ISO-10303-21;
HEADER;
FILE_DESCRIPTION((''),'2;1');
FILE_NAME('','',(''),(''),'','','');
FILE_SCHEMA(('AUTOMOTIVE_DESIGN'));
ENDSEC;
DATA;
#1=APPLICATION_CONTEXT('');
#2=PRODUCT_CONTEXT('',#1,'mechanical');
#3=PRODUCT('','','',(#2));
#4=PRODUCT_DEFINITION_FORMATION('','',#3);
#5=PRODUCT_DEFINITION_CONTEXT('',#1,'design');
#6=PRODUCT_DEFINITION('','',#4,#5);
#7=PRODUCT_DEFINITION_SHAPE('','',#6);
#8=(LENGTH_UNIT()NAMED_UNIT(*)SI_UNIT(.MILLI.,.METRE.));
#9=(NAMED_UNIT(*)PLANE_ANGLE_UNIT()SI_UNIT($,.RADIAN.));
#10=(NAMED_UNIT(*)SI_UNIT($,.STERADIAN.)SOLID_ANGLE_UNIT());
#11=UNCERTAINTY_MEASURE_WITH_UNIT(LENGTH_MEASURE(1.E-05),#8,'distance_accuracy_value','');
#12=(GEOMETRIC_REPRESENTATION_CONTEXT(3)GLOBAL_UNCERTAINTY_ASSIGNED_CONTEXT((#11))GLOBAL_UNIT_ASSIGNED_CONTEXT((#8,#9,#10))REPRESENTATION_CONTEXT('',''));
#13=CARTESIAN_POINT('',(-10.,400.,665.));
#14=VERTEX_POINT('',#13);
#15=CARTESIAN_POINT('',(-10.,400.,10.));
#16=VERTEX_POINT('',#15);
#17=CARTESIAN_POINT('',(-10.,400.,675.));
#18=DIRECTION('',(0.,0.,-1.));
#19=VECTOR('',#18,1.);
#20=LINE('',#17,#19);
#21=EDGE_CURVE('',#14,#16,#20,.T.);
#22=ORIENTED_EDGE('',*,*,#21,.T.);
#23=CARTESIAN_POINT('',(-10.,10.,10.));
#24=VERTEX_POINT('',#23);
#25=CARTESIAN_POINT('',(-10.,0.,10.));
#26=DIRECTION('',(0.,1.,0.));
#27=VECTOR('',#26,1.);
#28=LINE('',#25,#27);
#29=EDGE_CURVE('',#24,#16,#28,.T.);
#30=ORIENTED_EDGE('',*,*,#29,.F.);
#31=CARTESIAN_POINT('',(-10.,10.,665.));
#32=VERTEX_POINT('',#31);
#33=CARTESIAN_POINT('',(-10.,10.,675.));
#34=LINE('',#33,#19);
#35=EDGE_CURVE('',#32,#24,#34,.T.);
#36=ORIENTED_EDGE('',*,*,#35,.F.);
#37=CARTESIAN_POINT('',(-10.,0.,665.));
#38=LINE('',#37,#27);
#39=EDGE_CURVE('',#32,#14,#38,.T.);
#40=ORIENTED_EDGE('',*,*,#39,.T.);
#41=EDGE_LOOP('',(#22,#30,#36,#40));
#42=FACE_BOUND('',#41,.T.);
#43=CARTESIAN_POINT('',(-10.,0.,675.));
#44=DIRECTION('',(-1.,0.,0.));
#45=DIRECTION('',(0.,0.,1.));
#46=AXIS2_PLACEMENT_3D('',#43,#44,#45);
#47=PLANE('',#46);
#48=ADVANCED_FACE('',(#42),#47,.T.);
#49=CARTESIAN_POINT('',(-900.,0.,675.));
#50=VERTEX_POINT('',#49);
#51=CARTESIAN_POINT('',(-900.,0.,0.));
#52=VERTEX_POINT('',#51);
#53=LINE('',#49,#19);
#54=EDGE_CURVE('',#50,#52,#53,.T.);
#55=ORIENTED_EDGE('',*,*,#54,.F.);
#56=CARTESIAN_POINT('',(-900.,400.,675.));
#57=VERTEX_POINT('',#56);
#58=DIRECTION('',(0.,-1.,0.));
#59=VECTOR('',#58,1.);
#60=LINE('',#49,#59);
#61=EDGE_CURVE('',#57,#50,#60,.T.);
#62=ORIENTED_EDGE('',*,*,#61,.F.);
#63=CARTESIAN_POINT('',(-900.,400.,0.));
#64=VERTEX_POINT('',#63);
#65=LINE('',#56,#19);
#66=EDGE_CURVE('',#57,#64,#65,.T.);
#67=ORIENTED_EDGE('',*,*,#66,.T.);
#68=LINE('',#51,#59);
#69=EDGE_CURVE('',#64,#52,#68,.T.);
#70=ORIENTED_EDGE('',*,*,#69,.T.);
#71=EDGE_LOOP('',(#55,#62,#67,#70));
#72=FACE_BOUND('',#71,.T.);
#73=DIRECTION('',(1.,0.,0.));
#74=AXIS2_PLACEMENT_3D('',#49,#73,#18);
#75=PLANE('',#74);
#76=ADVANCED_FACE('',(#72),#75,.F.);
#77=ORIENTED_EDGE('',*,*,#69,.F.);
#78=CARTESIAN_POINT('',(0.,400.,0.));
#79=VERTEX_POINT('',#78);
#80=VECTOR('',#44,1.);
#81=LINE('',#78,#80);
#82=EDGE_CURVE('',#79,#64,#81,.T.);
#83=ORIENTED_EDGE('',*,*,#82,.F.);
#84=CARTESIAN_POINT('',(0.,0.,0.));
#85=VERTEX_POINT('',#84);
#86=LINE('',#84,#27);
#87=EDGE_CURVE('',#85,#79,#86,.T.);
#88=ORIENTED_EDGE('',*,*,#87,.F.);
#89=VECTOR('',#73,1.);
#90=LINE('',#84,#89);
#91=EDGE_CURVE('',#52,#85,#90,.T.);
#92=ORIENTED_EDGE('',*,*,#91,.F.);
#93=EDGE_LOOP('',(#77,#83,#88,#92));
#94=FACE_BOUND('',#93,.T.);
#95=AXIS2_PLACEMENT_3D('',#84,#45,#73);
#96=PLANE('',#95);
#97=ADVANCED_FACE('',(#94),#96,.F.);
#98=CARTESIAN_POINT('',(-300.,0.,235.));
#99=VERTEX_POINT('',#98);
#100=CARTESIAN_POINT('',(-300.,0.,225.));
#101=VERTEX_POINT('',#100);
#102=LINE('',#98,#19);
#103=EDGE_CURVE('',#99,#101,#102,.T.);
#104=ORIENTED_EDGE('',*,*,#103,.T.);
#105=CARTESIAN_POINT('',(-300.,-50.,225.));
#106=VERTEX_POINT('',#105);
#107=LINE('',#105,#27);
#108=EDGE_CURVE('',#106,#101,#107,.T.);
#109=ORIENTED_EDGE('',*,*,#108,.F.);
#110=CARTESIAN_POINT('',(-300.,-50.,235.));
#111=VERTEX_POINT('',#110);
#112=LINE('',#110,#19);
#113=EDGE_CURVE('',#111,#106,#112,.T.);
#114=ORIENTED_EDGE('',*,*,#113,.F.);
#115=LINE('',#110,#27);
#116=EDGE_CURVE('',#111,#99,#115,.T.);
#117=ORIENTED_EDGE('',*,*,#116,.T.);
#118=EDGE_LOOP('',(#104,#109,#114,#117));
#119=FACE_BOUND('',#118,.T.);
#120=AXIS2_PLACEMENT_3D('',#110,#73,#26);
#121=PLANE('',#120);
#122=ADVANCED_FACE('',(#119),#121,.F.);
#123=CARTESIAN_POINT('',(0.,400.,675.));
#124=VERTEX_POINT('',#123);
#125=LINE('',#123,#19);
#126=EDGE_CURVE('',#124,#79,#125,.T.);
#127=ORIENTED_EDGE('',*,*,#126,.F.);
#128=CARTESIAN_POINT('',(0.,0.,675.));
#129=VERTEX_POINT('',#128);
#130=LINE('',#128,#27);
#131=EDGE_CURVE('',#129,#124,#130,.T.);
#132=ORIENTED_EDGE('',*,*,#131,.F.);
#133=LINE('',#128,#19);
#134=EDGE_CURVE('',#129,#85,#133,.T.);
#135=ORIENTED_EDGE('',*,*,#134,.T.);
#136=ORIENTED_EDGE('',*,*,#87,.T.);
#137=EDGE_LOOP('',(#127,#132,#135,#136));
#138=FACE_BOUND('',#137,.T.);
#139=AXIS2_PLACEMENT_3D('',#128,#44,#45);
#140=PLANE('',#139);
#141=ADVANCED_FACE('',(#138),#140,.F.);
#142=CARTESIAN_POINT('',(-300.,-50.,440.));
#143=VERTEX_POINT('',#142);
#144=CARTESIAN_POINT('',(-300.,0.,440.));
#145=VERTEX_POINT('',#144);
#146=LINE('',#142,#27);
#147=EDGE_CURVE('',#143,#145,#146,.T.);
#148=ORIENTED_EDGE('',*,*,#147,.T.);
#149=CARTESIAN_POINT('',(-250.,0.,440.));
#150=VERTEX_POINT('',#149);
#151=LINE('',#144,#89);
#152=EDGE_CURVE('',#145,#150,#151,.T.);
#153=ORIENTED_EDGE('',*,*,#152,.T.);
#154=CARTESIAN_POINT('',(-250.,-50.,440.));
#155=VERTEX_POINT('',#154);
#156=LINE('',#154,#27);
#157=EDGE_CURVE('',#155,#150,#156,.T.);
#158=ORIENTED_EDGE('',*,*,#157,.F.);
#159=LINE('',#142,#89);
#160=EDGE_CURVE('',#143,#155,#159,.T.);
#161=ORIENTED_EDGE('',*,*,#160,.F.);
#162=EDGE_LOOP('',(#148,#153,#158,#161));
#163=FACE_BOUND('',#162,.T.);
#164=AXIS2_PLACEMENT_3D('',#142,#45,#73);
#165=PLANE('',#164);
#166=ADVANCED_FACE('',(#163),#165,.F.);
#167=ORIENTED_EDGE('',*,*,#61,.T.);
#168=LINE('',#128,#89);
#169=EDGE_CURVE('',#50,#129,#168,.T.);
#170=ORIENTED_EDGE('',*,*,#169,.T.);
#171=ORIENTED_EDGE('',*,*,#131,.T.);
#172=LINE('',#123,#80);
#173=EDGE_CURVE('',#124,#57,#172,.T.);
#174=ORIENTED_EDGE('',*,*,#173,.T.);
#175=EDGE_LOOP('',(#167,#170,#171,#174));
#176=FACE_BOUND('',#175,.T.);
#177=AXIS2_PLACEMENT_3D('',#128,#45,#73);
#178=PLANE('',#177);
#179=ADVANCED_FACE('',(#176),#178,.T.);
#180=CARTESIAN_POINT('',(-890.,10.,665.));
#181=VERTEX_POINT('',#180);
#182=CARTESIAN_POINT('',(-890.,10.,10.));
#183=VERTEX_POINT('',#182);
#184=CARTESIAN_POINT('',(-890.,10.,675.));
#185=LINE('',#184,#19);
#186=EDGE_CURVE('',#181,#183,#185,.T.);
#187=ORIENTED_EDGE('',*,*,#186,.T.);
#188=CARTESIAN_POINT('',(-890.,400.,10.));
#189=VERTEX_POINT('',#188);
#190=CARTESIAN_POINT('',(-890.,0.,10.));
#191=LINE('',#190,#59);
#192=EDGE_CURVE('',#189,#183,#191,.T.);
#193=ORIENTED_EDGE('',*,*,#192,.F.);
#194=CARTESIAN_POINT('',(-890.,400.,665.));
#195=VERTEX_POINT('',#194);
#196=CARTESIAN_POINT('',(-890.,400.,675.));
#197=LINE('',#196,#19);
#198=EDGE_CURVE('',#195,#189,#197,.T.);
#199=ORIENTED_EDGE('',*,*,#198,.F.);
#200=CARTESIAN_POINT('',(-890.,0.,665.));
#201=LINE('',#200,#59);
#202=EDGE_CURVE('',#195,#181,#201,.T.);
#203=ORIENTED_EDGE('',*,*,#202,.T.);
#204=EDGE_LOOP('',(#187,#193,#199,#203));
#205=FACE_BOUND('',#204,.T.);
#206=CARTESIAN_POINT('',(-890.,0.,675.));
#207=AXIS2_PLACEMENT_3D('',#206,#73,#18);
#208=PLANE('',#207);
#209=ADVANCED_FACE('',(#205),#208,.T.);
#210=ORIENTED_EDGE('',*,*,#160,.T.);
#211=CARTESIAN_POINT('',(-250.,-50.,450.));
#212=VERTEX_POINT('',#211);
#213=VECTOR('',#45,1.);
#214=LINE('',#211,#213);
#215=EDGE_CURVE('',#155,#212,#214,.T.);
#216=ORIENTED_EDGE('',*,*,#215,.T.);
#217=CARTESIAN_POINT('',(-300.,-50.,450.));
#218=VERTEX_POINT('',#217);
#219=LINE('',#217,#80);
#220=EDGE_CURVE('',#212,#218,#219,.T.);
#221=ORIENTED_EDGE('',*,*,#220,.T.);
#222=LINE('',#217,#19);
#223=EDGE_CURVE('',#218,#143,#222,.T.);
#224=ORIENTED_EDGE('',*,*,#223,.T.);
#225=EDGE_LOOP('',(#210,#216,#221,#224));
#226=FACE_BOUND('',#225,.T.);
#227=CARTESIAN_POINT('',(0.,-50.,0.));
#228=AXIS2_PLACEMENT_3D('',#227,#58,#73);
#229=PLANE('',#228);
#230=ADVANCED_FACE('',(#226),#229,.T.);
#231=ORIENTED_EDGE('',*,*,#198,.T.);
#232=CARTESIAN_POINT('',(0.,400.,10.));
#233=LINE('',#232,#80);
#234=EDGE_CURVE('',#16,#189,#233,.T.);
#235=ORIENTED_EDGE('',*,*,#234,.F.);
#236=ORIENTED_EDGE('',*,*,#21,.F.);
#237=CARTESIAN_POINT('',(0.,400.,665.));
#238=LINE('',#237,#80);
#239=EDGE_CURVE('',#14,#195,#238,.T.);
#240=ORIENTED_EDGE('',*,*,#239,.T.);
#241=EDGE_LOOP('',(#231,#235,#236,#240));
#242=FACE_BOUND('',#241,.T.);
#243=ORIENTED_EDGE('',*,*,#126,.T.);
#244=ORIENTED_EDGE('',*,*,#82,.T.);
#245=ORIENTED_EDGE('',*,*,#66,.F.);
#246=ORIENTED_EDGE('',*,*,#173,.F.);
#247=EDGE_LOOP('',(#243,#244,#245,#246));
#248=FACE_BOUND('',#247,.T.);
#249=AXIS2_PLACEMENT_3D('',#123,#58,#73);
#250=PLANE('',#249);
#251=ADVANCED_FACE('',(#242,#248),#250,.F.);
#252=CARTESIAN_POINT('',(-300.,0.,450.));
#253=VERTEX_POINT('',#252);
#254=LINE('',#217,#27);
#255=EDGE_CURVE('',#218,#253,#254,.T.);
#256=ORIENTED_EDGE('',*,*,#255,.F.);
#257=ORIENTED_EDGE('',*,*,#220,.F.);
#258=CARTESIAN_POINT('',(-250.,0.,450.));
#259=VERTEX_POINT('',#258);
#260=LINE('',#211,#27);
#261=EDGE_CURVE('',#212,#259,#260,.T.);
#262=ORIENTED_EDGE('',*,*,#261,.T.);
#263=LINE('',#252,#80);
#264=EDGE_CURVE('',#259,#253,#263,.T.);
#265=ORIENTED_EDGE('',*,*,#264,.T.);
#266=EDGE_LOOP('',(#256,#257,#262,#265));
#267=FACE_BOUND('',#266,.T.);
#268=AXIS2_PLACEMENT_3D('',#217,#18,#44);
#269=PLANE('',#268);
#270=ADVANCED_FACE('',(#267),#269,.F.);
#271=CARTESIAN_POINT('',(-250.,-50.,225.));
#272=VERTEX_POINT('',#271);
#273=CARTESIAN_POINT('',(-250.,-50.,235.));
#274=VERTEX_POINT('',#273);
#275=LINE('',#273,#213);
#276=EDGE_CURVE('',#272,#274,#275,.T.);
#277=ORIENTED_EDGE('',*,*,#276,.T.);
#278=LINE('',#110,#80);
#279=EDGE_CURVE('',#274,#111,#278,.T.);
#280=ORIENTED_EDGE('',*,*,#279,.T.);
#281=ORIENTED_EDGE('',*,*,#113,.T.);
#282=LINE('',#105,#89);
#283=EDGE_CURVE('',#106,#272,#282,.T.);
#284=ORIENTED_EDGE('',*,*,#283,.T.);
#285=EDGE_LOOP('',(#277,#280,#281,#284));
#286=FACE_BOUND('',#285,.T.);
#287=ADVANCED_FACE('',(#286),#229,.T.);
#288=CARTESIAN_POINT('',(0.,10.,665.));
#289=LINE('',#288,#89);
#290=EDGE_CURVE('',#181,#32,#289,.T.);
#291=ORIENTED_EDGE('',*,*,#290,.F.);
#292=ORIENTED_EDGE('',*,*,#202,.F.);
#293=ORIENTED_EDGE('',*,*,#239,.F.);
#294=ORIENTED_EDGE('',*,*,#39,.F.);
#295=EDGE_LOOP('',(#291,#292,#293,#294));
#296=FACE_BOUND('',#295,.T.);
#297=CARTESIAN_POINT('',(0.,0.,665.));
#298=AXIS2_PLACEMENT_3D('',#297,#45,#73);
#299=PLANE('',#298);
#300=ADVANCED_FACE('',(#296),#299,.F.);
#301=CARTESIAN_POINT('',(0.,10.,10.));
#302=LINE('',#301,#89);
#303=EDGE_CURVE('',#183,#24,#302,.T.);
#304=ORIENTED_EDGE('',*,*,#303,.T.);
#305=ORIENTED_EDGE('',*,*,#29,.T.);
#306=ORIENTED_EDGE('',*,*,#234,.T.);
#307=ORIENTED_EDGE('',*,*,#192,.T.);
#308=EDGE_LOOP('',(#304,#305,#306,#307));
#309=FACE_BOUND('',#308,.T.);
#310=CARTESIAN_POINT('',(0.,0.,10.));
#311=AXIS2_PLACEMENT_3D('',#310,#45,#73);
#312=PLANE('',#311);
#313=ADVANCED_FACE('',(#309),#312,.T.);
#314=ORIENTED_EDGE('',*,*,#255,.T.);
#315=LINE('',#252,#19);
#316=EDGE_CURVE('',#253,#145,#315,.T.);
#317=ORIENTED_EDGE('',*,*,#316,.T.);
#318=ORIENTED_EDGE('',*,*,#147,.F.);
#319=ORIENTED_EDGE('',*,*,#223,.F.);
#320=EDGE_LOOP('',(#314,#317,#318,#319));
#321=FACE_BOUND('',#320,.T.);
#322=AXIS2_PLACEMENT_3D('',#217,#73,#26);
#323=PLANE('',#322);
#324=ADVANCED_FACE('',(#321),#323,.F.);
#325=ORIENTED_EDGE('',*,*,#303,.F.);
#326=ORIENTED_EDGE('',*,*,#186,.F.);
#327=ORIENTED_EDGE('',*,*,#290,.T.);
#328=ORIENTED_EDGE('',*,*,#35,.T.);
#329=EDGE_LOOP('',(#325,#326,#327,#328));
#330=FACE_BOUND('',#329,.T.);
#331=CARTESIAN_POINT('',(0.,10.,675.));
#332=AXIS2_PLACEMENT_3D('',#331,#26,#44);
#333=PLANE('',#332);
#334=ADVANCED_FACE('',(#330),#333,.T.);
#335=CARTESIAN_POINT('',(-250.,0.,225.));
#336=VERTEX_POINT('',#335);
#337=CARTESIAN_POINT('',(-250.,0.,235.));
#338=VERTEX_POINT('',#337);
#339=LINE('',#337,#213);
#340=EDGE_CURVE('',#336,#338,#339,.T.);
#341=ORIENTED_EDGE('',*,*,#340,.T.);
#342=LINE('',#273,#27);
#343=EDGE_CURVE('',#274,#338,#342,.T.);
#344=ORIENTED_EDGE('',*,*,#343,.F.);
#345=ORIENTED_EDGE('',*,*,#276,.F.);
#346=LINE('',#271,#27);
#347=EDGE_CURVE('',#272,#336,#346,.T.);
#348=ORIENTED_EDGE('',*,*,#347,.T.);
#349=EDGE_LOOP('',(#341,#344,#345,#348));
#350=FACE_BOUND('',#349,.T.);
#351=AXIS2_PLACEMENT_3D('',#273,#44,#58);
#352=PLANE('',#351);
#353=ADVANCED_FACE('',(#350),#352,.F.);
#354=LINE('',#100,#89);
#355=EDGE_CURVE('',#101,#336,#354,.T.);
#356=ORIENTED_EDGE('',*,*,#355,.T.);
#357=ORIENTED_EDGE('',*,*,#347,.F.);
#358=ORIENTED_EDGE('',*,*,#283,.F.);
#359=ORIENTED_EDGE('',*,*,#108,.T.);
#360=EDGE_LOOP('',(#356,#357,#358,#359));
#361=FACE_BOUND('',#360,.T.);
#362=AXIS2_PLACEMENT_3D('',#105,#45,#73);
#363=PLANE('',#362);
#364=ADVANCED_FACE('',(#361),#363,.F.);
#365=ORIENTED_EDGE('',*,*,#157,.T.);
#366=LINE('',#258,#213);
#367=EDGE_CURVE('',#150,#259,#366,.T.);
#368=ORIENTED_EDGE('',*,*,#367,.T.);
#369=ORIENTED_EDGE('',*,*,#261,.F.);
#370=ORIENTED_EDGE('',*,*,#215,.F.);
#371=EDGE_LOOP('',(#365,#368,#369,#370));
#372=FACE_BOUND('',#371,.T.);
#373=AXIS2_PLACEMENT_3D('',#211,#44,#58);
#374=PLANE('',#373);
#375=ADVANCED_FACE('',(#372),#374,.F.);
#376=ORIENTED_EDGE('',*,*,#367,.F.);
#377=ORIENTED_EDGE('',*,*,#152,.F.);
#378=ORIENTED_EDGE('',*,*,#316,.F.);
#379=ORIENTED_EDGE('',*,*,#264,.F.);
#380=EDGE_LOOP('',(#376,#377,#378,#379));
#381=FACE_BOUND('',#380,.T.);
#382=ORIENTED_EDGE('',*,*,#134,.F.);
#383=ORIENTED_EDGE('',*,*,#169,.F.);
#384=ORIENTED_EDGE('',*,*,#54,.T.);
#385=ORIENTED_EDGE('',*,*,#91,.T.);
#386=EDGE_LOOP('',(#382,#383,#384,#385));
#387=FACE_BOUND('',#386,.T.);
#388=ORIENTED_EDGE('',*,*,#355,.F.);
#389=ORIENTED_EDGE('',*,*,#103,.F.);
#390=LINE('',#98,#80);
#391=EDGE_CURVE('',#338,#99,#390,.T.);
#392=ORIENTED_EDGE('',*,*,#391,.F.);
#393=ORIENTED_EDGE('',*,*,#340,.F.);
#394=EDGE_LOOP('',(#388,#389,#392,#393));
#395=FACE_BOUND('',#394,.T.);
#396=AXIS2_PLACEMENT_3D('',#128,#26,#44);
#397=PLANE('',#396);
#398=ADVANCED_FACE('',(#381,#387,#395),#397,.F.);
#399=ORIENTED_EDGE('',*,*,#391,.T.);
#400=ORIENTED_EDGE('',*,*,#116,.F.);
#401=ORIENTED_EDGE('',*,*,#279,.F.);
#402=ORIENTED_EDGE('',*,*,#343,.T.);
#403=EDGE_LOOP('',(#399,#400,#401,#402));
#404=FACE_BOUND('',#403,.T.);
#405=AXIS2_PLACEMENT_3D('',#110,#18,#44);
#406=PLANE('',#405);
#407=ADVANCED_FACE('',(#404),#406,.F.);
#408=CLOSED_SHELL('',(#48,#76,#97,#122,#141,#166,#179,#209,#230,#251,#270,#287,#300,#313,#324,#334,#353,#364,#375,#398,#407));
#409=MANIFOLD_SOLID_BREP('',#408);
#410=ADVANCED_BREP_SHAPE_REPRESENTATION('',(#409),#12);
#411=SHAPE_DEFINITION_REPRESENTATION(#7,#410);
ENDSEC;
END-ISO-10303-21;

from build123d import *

# Parameters (mm, degrees)
SKETCH1_W           = 900
SKETCH1_H           = 400
BOSS_EXTRUDE1_DEPTH = 675
SHELL1_T            = -10
SKETCH3_W           = 50
SKETCH3_H           = 10
BOSS_EXTRUDE4_DEPTH = 50


with BuildPart() as part:
    # Sketch1 → Boss-Extrude1 (new body)
    with BuildSketch(Plane.XY):
        with Locations((-450, 200)):
            Rectangle(SKETCH1_W, SKETCH1_H)
    extrude(amount=BOSS_EXTRUDE1_DEPTH)

    # Shell1
    shell1_openings = [part.faces().sort_by_distance(p)[0] for p in [
        (-450, 400, 337.5),
    ]]
    offset(amount=SHELL1_T, openings=shell1_openings, kind=Kind.INTERSECTION)

    # Sketch3 → Boss-Extrude4 (add)
    with BuildSketch(Plane(origin=(0, 0, 0), x_dir=(-1, 0, 0), z_dir=(0, -1, 0))):
        with Locations((275, -230)):
            Rectangle(SKETCH3_W, SKETCH3_H)
        with Locations((275, -445)):
            Rectangle(SKETCH3_W, SKETCH3_H)
    extrude(amount=BOSS_EXTRUDE4_DEPTH)


solid = part.part
